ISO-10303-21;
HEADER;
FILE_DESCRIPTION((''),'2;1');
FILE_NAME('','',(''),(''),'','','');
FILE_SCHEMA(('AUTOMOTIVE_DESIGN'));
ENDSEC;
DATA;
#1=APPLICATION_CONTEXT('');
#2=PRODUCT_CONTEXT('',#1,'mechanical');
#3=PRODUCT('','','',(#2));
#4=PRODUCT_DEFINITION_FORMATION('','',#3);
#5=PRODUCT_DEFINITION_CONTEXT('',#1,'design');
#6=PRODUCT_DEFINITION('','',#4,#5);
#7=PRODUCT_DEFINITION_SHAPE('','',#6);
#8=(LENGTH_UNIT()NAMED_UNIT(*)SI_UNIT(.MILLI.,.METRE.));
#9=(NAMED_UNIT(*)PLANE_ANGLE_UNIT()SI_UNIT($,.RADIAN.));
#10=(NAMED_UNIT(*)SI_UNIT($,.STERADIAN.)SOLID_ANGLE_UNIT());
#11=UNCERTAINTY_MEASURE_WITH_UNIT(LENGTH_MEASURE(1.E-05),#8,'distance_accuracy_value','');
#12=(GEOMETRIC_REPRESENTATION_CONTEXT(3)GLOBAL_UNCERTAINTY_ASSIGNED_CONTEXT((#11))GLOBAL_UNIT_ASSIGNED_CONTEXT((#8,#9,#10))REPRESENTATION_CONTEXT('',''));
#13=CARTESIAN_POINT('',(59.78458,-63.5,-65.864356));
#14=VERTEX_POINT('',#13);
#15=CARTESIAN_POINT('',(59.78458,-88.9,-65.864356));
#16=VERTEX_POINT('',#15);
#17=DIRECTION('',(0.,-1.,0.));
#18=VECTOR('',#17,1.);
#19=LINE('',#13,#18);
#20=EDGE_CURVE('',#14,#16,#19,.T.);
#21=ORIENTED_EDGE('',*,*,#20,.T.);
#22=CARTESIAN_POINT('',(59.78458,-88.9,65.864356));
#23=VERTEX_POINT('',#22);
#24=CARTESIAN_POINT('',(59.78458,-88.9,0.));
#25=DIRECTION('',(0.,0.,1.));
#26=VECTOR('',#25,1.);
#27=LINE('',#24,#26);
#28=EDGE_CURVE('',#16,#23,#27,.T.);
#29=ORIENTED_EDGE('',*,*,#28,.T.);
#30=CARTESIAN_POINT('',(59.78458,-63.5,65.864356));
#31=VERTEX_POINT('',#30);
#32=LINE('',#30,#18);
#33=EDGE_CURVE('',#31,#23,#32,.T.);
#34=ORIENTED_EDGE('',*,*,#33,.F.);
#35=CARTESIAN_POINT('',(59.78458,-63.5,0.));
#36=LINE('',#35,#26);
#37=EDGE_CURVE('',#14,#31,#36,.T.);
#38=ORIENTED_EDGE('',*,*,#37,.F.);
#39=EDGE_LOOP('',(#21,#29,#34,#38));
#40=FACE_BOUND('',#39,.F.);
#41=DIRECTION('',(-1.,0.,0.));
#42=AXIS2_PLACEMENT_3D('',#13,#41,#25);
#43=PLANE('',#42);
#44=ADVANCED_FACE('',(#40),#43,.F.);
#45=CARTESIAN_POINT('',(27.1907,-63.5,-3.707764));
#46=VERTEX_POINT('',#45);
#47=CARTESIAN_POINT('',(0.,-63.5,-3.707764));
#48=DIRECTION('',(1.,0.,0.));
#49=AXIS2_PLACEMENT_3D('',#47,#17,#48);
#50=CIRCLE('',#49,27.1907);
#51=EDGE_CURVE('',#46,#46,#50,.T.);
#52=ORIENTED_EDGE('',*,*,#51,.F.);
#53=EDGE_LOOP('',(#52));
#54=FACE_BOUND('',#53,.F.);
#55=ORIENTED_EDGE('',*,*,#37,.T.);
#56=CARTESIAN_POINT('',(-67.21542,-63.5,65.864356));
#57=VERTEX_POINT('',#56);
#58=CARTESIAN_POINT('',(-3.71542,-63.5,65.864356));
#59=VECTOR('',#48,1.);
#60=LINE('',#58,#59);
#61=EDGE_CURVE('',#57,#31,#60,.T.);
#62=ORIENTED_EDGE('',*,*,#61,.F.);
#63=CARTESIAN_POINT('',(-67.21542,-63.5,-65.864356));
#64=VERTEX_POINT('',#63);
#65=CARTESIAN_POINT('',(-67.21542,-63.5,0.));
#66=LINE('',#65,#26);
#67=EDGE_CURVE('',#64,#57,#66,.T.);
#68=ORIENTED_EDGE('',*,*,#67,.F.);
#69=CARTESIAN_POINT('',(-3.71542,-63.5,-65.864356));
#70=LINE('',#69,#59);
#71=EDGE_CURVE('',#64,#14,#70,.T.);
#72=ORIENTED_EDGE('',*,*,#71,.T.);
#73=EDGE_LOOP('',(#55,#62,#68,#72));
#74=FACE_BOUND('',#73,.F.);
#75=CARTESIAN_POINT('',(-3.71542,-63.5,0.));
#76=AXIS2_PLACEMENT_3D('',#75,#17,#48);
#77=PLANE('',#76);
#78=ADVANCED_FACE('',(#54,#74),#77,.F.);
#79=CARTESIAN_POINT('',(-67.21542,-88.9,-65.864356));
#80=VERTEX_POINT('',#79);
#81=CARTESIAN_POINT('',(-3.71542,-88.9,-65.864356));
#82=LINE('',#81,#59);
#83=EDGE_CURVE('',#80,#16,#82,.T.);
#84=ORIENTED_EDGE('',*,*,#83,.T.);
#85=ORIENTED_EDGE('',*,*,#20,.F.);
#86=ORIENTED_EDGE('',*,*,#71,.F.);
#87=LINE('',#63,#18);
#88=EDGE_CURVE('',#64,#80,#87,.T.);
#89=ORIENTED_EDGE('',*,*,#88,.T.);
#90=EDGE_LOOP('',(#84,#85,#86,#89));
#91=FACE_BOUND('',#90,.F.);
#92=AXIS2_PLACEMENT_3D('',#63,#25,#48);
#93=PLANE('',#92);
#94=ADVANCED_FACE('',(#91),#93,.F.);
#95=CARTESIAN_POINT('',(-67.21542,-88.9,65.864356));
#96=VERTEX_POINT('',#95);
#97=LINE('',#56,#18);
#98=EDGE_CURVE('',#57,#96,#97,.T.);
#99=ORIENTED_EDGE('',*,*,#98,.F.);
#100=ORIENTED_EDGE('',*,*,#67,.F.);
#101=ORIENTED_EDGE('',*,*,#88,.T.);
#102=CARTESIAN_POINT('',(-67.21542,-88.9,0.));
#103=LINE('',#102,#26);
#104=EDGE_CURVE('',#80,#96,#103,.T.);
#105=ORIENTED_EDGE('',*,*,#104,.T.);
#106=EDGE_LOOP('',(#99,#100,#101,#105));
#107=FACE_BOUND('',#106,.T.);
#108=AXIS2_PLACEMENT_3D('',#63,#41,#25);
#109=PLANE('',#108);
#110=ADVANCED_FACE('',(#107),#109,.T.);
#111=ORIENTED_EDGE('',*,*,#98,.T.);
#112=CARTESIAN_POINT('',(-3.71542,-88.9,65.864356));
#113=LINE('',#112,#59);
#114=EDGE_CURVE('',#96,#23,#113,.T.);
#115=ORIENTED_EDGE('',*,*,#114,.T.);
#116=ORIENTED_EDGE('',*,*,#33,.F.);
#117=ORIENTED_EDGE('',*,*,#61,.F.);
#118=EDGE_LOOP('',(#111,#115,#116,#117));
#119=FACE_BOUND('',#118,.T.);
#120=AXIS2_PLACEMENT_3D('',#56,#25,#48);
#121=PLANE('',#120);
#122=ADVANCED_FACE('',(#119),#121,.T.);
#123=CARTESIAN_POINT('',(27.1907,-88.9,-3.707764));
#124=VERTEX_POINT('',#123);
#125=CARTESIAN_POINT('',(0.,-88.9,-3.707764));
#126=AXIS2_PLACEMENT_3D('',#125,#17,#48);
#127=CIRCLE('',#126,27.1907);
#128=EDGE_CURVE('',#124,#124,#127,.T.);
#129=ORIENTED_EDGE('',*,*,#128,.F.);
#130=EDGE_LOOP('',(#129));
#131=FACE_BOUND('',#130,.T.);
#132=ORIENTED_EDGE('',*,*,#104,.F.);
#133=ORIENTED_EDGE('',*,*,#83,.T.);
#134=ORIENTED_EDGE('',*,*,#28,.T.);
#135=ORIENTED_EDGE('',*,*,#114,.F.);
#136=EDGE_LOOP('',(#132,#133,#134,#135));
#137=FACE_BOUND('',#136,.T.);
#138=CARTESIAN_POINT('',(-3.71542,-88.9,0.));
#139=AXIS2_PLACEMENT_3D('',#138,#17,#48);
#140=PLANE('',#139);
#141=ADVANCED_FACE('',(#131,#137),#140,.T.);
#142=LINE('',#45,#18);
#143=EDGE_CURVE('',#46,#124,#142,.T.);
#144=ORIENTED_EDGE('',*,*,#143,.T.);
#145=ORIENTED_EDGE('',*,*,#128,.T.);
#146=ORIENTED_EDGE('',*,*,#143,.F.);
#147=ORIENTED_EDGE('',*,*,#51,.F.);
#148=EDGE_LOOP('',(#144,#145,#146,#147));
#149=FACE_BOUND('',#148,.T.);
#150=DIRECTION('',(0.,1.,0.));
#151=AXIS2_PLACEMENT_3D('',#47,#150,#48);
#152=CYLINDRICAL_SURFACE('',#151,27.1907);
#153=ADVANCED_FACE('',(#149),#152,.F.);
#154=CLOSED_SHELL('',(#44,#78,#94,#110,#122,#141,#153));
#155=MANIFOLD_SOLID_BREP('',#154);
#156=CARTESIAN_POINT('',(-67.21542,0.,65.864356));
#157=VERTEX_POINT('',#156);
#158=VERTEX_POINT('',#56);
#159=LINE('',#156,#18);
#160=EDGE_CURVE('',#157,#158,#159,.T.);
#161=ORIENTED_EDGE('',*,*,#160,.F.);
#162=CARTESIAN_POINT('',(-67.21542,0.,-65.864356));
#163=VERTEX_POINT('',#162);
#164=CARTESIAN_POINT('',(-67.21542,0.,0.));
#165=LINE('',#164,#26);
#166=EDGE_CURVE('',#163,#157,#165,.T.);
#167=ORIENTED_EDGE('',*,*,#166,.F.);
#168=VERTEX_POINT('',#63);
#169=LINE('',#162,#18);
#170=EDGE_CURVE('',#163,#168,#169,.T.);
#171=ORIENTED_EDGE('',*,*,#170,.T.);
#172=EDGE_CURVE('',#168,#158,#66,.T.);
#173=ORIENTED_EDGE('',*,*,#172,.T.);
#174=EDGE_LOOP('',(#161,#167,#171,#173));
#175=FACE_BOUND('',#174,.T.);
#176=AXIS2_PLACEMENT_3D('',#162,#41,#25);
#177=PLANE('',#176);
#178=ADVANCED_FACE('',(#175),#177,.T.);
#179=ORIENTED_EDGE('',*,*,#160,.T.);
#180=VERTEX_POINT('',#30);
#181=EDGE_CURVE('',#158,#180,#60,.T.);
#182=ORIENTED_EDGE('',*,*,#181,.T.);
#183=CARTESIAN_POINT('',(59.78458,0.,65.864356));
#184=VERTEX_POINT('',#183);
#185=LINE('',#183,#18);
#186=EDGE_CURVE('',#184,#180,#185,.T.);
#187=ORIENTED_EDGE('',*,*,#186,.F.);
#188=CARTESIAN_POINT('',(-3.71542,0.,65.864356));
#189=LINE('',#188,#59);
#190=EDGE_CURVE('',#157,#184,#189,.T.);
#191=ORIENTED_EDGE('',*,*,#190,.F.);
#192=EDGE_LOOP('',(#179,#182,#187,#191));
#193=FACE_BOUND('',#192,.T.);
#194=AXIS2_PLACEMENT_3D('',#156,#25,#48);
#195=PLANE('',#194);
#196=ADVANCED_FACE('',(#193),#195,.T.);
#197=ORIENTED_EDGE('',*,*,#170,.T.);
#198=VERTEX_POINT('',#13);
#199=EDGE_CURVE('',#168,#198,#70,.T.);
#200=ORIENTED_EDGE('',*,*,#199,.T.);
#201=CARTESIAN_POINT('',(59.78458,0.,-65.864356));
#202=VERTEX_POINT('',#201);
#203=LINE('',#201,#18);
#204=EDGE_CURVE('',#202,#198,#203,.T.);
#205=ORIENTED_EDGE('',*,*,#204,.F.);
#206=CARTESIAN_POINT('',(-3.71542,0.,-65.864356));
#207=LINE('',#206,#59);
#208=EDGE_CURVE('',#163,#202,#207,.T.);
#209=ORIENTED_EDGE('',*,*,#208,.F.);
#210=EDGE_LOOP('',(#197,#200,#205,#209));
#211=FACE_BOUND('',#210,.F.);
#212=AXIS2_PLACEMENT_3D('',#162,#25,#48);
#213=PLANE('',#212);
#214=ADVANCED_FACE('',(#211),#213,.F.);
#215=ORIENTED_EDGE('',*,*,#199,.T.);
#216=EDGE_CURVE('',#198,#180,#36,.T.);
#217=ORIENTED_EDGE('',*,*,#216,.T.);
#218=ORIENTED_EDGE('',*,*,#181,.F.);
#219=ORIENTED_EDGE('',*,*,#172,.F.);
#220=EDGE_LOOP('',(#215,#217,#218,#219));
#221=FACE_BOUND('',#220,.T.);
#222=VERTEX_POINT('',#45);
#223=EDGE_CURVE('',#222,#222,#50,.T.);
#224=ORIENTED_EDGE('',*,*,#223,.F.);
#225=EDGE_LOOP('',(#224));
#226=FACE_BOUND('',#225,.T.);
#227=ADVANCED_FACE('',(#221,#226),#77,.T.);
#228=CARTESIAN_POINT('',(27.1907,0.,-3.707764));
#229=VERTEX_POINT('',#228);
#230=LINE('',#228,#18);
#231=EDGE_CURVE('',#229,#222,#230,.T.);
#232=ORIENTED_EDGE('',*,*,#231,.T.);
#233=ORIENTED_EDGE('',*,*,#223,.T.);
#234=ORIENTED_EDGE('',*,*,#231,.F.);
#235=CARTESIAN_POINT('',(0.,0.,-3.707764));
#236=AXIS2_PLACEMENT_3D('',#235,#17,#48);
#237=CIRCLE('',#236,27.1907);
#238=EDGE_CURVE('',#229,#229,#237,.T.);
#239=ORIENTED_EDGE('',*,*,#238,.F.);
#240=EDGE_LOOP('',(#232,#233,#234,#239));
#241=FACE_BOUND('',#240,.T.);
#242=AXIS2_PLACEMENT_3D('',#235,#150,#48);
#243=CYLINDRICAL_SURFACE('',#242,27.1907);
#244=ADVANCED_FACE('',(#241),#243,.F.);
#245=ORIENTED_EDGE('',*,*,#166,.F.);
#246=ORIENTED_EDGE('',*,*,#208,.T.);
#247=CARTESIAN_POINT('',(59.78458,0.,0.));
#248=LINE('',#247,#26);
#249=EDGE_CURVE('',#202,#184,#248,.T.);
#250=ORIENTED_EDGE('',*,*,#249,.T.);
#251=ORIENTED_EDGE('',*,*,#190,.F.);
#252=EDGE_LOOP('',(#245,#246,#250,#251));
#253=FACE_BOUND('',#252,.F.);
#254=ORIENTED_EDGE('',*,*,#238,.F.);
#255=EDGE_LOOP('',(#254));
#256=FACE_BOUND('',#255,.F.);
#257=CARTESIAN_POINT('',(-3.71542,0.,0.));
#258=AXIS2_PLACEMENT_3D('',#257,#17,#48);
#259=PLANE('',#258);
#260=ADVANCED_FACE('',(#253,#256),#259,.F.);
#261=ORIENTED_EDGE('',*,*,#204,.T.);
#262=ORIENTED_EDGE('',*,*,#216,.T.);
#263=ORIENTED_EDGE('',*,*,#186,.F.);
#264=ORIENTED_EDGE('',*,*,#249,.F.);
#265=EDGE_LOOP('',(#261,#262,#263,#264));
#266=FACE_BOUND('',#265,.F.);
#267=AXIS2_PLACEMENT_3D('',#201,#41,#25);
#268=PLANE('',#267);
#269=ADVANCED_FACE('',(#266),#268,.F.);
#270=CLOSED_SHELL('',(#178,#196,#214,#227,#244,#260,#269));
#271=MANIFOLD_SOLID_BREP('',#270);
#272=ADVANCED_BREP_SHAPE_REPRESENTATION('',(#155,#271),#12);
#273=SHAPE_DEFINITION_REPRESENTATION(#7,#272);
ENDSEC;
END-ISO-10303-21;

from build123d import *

# Parameters (mm, degrees)
F0_W      = 127
F0_H      = 131.728712
F0_R      = 27.1907
F1_DEPTH  = 63.5
F1_FACE_W = 127
F1_FACE_H = 131.728712
F1_FACE_R = 27.1907
F2_DEPTH  = 25.4


with BuildPart() as f1:
    # F0 (on Front) → F1 (new body)
    with BuildSketch(Plane.XZ):
        with Locations((-3.71542, 0)):
            Rectangle(F0_W, F0_H)
        with Locations((0, -3.707764)):
            Circle(F0_R, mode=Mode.SUBTRACT)
    extrude(amount=F1_DEPTH)


with BuildPart() as f2:
    # F1_face (on face) → F2 (new body)
    with BuildSketch(Plane(origin=(-4.314423, -63.5, 0.597769), x_dir=(1, 0, 0), z_dir=(0, -1, 0))):
        with Locations((0.599003, -0.597769)):
            Rectangle(F1_FACE_W, F1_FACE_H)
        with Locations((4.314423, -4.305533)):
            Circle(F1_FACE_R, mode=Mode.SUBTRACT)
    extrude(amount=F2_DEPTH)


solid = Compound([f1.part, f2.part])
